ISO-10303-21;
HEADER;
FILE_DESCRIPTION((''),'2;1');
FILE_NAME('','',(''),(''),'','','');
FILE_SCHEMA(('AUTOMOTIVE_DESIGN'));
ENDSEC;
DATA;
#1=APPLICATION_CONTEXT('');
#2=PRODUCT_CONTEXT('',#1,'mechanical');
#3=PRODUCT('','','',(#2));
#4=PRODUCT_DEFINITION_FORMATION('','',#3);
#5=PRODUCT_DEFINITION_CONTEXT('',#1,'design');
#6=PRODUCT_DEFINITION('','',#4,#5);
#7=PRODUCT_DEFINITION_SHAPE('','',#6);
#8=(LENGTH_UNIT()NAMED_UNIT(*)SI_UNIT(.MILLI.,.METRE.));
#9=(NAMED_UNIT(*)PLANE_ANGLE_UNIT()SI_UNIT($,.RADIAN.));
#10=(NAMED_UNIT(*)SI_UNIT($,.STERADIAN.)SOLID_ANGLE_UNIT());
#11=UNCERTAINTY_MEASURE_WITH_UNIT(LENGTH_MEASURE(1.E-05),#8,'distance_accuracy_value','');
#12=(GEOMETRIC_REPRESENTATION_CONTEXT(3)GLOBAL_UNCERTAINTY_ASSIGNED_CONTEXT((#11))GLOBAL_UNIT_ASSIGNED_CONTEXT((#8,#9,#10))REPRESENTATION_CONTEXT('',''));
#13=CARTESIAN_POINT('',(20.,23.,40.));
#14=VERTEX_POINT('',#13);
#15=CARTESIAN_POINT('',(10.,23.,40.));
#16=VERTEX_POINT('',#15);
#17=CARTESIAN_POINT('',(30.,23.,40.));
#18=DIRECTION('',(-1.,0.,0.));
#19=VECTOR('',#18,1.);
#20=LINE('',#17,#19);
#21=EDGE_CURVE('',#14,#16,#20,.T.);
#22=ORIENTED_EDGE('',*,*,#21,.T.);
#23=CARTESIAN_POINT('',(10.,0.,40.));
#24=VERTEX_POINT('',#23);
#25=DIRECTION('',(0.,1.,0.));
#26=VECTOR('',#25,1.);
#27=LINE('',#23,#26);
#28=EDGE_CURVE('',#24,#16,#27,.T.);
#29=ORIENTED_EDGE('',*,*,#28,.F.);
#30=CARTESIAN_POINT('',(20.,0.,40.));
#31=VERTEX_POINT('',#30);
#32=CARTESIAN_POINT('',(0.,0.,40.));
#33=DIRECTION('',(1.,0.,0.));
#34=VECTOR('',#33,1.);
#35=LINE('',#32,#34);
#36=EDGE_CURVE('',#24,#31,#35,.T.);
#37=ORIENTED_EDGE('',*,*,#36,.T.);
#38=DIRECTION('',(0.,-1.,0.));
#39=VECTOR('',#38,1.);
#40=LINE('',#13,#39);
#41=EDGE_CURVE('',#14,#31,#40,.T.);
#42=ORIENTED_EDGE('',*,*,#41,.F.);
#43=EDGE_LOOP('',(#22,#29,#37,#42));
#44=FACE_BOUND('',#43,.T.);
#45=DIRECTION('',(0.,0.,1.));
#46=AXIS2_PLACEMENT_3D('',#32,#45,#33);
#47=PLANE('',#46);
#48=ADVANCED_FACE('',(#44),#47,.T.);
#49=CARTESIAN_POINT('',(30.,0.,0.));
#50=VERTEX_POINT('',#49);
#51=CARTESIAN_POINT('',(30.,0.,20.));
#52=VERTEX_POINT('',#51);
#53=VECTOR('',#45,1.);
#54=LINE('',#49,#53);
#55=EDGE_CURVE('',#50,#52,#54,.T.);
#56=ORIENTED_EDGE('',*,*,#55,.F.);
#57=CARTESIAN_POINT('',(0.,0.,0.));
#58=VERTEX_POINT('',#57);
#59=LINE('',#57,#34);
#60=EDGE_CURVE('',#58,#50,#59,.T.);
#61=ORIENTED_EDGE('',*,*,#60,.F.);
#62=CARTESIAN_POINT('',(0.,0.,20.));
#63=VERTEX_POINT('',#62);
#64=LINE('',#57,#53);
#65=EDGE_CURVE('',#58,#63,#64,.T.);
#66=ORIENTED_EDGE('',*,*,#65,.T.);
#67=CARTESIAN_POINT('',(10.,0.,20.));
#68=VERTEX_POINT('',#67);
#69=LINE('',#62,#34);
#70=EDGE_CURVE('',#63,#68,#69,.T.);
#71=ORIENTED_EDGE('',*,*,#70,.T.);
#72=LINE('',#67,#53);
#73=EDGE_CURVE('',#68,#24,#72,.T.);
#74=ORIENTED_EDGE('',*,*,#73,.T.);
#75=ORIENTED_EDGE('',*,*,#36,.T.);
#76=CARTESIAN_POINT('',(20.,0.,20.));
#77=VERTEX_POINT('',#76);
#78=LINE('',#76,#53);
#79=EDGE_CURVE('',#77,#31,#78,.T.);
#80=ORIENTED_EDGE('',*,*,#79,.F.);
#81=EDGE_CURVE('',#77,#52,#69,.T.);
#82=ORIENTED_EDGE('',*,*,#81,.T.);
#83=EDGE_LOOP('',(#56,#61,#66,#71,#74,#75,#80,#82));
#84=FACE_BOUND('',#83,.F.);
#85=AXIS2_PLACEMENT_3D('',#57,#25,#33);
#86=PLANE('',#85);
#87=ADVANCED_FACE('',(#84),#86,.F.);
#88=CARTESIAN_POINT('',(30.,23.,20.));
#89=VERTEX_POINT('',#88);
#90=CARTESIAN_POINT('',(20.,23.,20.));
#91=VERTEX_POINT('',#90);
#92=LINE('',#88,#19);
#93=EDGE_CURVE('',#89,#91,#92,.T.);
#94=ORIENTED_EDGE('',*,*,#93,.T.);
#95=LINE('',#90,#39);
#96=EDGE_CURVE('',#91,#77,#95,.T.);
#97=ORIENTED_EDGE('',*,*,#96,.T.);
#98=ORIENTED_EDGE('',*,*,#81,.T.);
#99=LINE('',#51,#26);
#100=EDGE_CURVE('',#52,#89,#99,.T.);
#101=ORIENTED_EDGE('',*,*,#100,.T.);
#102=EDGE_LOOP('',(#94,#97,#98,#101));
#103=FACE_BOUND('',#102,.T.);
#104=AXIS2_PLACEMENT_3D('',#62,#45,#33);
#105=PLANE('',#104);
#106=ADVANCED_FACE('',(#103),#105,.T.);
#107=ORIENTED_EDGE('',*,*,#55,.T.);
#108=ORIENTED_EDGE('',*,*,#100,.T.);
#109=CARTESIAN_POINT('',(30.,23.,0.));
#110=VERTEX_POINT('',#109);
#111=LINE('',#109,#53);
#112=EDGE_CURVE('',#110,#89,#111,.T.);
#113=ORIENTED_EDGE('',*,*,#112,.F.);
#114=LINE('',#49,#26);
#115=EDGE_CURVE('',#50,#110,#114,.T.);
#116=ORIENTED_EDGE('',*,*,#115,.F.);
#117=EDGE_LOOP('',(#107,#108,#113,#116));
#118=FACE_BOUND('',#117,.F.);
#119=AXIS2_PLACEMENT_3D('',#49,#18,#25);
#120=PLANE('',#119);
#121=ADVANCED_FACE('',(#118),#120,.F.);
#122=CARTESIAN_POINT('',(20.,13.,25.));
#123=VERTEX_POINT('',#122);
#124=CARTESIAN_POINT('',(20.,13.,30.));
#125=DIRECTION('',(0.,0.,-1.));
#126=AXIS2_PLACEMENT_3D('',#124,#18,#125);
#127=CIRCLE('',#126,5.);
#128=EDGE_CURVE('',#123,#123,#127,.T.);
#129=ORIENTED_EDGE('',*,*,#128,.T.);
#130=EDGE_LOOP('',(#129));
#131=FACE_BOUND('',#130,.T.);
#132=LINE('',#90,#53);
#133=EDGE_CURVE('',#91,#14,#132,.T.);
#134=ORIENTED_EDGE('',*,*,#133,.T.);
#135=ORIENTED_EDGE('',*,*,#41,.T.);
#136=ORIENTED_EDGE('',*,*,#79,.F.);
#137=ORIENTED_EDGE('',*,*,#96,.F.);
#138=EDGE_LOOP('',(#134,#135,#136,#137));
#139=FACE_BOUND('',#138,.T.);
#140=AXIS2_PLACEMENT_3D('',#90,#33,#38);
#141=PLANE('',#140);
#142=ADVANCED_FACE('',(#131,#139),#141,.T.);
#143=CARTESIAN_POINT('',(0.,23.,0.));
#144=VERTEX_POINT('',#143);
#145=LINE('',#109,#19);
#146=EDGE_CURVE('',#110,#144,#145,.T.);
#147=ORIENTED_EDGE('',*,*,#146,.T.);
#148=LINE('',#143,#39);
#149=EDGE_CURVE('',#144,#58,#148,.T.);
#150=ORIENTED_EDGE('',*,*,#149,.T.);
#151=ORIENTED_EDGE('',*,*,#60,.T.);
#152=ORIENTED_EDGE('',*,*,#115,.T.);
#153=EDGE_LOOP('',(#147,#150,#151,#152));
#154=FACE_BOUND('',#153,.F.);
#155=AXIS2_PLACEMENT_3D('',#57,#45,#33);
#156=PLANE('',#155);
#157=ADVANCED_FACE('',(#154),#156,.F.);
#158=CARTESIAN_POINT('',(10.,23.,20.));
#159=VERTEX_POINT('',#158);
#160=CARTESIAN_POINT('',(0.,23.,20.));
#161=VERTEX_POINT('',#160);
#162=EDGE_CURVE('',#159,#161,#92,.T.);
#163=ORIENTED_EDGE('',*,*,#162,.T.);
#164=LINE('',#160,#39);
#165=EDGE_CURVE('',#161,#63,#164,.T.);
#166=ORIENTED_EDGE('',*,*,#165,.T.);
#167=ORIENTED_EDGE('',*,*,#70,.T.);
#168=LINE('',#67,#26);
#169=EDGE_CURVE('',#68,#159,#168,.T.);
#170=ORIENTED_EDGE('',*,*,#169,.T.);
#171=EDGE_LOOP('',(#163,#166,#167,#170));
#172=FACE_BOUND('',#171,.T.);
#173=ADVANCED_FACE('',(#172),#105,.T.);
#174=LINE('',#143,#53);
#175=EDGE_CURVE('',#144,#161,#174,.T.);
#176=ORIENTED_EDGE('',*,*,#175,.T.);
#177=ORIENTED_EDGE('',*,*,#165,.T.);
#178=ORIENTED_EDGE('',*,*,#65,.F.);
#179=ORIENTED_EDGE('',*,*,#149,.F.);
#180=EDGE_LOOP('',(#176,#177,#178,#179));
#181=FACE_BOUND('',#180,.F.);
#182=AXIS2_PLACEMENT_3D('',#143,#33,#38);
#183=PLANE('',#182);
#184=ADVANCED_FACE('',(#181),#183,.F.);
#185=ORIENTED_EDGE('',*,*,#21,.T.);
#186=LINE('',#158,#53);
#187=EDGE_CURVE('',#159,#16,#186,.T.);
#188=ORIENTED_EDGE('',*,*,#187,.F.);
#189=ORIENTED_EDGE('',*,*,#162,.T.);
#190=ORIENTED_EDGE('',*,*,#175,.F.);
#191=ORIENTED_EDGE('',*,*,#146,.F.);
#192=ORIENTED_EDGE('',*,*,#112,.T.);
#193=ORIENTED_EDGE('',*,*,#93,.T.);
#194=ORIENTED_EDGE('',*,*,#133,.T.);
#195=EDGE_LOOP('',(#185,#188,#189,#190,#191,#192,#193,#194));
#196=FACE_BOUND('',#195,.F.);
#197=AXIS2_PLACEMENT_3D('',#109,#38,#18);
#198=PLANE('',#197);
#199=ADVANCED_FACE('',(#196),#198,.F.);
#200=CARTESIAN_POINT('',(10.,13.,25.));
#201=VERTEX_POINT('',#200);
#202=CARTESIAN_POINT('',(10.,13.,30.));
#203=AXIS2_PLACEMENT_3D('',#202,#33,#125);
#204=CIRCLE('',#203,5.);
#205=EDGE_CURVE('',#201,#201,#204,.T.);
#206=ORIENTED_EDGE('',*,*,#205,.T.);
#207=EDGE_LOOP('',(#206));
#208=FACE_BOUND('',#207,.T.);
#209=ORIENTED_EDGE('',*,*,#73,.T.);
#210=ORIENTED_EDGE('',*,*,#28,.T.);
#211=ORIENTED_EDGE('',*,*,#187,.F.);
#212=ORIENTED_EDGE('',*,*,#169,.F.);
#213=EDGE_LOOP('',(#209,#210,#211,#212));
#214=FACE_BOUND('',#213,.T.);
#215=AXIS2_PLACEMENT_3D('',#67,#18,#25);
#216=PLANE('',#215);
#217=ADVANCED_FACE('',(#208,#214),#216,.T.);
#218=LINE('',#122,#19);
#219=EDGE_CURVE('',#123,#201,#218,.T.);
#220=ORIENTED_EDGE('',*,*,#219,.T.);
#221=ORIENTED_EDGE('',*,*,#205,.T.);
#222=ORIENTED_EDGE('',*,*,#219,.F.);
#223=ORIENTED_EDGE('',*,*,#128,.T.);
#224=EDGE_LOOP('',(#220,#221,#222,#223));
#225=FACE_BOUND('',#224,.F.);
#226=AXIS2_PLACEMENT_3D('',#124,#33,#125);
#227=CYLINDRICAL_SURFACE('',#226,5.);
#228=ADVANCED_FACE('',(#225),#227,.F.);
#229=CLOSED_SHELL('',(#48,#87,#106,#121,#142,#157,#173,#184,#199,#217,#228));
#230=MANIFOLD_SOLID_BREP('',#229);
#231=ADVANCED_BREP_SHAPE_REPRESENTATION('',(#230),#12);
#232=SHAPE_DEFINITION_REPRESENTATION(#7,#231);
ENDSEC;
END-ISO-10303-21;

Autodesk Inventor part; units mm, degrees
ref_plane "YZ Plane" through (0, 0, 0) normal (1, 0, 0) x (0, 1, 0)
ref_plane "XZ Plane" through (0, 0, 0) normal (0, 1, 0) x (-1, 0, 0)
ref_plane "XY Plane" through (0, 0, 0) normal (0, 0, 1) x (1, 0, 0)
sketch "Sketch1" plane through (0, 0, 0) normal (0, 0, 1) x (1, 0, 0)
  line L0 (0, 0) -> (30, 0)
  line L1 (30, 0) -> (30, 23)
  line L2 (30, 23) -> (0, 23)
  line L3 (0, 23) -> (0, 0)
  dimension "d0" = 30
  dimension "d1" = 23
extrude "Extrusion1" add sketch "Sketch1" along normal blind 20
sketch "Sketch2" plane through (0, 0, 20) normal (0, 0, 1) x (1, 0, 0)
  line L0 (30, 23) -> (0, 23) projected
  line L1 (0, 23) -> (0, 13)
  line L2 (0, 23) -> (0, 0) projected
  dimension "d4" = 10
sketch "Sketch3" plane through (0, 0, 20) normal (0, 0, 1) x (1, 0, 0)
  point P0 (0, 0)
sketch "Sketch4" plane through (0, 0, 20) normal (0, 0, 1) x (1, 0, 0)
  line L0 (0, 23) -> (0, 0) projected
  line L1 (0, 13) -> (0, 20)
  dimension "d5" = 7
sketch "Sketch5" plane through (0, 0, 20) normal (0, 0, 1) x (1, 0, 0)
  line L0 (0, 23) -> (0, 0) projected
  line L1 (0, 13) -> (0, 18)
  dimension "d6" = 5
sketch "Sketch6" plane through (0, 0, 20) normal (0, 0, 1) x (1, 0, 0)
  line L0 (0, 23) -> (10, 23)
  line L1 (30, 23) -> (0, 23) projected
  line L2 (10, 23) -> (20, 23)
  line L3 (0, 0) -> (30, 0) projected
  line L4 (10, 23) -> (20, 23)
  line L5 (20, 23) -> (20, 0)
  line L6 (20, 0) -> (10, 0)
  line L7 (10, 0) -> (10, 23)
  dimension "d7" = 10
  dimension "d8" = 10
extrude "Extrusion2" add sketch "Sketch6" along normal blind 20
sketch "Sketch7" plane through (20, 0, 20) normal (1, 0, 0) x (0, 0, -1)
  line L0 (0, 23) -> (-20, 23) projected
  line L1 (-20, 23) -> (-20, 13)
  line L2 (-20, 23) -> (-20, 0) projected
  line L3 (-20, 13) -> (-10, 13)
  circle A0 centre (-10, 13) radius 5
  point P0 (20, 0)
  dimension "d11" = 10
  dimension "d12" = 10
  dimension "d13" = 10
extrude "Extrusion3" cut sketch "Sketch7" against normal blind 20
equation "\"BendRadius\" = Thickness"
equation "\"BendReliefWidth\" = Thickness"
equation "\"BendReliefDepth\" = 0.5 * Thickness"
equation "\"CornerReliefSize\" = 4 * Thickness"
equation "\"MinimumRemnant\" = 2 * Thickness"
equation "\"TransitionRadius\" = BendRadius"
equation "\"JacobiRadiusSize\" = BendRadius"
equation "\"GapSize\" = Thickness"
equation "\"Thickness\" = 0.5"
properties part number "pusher"
